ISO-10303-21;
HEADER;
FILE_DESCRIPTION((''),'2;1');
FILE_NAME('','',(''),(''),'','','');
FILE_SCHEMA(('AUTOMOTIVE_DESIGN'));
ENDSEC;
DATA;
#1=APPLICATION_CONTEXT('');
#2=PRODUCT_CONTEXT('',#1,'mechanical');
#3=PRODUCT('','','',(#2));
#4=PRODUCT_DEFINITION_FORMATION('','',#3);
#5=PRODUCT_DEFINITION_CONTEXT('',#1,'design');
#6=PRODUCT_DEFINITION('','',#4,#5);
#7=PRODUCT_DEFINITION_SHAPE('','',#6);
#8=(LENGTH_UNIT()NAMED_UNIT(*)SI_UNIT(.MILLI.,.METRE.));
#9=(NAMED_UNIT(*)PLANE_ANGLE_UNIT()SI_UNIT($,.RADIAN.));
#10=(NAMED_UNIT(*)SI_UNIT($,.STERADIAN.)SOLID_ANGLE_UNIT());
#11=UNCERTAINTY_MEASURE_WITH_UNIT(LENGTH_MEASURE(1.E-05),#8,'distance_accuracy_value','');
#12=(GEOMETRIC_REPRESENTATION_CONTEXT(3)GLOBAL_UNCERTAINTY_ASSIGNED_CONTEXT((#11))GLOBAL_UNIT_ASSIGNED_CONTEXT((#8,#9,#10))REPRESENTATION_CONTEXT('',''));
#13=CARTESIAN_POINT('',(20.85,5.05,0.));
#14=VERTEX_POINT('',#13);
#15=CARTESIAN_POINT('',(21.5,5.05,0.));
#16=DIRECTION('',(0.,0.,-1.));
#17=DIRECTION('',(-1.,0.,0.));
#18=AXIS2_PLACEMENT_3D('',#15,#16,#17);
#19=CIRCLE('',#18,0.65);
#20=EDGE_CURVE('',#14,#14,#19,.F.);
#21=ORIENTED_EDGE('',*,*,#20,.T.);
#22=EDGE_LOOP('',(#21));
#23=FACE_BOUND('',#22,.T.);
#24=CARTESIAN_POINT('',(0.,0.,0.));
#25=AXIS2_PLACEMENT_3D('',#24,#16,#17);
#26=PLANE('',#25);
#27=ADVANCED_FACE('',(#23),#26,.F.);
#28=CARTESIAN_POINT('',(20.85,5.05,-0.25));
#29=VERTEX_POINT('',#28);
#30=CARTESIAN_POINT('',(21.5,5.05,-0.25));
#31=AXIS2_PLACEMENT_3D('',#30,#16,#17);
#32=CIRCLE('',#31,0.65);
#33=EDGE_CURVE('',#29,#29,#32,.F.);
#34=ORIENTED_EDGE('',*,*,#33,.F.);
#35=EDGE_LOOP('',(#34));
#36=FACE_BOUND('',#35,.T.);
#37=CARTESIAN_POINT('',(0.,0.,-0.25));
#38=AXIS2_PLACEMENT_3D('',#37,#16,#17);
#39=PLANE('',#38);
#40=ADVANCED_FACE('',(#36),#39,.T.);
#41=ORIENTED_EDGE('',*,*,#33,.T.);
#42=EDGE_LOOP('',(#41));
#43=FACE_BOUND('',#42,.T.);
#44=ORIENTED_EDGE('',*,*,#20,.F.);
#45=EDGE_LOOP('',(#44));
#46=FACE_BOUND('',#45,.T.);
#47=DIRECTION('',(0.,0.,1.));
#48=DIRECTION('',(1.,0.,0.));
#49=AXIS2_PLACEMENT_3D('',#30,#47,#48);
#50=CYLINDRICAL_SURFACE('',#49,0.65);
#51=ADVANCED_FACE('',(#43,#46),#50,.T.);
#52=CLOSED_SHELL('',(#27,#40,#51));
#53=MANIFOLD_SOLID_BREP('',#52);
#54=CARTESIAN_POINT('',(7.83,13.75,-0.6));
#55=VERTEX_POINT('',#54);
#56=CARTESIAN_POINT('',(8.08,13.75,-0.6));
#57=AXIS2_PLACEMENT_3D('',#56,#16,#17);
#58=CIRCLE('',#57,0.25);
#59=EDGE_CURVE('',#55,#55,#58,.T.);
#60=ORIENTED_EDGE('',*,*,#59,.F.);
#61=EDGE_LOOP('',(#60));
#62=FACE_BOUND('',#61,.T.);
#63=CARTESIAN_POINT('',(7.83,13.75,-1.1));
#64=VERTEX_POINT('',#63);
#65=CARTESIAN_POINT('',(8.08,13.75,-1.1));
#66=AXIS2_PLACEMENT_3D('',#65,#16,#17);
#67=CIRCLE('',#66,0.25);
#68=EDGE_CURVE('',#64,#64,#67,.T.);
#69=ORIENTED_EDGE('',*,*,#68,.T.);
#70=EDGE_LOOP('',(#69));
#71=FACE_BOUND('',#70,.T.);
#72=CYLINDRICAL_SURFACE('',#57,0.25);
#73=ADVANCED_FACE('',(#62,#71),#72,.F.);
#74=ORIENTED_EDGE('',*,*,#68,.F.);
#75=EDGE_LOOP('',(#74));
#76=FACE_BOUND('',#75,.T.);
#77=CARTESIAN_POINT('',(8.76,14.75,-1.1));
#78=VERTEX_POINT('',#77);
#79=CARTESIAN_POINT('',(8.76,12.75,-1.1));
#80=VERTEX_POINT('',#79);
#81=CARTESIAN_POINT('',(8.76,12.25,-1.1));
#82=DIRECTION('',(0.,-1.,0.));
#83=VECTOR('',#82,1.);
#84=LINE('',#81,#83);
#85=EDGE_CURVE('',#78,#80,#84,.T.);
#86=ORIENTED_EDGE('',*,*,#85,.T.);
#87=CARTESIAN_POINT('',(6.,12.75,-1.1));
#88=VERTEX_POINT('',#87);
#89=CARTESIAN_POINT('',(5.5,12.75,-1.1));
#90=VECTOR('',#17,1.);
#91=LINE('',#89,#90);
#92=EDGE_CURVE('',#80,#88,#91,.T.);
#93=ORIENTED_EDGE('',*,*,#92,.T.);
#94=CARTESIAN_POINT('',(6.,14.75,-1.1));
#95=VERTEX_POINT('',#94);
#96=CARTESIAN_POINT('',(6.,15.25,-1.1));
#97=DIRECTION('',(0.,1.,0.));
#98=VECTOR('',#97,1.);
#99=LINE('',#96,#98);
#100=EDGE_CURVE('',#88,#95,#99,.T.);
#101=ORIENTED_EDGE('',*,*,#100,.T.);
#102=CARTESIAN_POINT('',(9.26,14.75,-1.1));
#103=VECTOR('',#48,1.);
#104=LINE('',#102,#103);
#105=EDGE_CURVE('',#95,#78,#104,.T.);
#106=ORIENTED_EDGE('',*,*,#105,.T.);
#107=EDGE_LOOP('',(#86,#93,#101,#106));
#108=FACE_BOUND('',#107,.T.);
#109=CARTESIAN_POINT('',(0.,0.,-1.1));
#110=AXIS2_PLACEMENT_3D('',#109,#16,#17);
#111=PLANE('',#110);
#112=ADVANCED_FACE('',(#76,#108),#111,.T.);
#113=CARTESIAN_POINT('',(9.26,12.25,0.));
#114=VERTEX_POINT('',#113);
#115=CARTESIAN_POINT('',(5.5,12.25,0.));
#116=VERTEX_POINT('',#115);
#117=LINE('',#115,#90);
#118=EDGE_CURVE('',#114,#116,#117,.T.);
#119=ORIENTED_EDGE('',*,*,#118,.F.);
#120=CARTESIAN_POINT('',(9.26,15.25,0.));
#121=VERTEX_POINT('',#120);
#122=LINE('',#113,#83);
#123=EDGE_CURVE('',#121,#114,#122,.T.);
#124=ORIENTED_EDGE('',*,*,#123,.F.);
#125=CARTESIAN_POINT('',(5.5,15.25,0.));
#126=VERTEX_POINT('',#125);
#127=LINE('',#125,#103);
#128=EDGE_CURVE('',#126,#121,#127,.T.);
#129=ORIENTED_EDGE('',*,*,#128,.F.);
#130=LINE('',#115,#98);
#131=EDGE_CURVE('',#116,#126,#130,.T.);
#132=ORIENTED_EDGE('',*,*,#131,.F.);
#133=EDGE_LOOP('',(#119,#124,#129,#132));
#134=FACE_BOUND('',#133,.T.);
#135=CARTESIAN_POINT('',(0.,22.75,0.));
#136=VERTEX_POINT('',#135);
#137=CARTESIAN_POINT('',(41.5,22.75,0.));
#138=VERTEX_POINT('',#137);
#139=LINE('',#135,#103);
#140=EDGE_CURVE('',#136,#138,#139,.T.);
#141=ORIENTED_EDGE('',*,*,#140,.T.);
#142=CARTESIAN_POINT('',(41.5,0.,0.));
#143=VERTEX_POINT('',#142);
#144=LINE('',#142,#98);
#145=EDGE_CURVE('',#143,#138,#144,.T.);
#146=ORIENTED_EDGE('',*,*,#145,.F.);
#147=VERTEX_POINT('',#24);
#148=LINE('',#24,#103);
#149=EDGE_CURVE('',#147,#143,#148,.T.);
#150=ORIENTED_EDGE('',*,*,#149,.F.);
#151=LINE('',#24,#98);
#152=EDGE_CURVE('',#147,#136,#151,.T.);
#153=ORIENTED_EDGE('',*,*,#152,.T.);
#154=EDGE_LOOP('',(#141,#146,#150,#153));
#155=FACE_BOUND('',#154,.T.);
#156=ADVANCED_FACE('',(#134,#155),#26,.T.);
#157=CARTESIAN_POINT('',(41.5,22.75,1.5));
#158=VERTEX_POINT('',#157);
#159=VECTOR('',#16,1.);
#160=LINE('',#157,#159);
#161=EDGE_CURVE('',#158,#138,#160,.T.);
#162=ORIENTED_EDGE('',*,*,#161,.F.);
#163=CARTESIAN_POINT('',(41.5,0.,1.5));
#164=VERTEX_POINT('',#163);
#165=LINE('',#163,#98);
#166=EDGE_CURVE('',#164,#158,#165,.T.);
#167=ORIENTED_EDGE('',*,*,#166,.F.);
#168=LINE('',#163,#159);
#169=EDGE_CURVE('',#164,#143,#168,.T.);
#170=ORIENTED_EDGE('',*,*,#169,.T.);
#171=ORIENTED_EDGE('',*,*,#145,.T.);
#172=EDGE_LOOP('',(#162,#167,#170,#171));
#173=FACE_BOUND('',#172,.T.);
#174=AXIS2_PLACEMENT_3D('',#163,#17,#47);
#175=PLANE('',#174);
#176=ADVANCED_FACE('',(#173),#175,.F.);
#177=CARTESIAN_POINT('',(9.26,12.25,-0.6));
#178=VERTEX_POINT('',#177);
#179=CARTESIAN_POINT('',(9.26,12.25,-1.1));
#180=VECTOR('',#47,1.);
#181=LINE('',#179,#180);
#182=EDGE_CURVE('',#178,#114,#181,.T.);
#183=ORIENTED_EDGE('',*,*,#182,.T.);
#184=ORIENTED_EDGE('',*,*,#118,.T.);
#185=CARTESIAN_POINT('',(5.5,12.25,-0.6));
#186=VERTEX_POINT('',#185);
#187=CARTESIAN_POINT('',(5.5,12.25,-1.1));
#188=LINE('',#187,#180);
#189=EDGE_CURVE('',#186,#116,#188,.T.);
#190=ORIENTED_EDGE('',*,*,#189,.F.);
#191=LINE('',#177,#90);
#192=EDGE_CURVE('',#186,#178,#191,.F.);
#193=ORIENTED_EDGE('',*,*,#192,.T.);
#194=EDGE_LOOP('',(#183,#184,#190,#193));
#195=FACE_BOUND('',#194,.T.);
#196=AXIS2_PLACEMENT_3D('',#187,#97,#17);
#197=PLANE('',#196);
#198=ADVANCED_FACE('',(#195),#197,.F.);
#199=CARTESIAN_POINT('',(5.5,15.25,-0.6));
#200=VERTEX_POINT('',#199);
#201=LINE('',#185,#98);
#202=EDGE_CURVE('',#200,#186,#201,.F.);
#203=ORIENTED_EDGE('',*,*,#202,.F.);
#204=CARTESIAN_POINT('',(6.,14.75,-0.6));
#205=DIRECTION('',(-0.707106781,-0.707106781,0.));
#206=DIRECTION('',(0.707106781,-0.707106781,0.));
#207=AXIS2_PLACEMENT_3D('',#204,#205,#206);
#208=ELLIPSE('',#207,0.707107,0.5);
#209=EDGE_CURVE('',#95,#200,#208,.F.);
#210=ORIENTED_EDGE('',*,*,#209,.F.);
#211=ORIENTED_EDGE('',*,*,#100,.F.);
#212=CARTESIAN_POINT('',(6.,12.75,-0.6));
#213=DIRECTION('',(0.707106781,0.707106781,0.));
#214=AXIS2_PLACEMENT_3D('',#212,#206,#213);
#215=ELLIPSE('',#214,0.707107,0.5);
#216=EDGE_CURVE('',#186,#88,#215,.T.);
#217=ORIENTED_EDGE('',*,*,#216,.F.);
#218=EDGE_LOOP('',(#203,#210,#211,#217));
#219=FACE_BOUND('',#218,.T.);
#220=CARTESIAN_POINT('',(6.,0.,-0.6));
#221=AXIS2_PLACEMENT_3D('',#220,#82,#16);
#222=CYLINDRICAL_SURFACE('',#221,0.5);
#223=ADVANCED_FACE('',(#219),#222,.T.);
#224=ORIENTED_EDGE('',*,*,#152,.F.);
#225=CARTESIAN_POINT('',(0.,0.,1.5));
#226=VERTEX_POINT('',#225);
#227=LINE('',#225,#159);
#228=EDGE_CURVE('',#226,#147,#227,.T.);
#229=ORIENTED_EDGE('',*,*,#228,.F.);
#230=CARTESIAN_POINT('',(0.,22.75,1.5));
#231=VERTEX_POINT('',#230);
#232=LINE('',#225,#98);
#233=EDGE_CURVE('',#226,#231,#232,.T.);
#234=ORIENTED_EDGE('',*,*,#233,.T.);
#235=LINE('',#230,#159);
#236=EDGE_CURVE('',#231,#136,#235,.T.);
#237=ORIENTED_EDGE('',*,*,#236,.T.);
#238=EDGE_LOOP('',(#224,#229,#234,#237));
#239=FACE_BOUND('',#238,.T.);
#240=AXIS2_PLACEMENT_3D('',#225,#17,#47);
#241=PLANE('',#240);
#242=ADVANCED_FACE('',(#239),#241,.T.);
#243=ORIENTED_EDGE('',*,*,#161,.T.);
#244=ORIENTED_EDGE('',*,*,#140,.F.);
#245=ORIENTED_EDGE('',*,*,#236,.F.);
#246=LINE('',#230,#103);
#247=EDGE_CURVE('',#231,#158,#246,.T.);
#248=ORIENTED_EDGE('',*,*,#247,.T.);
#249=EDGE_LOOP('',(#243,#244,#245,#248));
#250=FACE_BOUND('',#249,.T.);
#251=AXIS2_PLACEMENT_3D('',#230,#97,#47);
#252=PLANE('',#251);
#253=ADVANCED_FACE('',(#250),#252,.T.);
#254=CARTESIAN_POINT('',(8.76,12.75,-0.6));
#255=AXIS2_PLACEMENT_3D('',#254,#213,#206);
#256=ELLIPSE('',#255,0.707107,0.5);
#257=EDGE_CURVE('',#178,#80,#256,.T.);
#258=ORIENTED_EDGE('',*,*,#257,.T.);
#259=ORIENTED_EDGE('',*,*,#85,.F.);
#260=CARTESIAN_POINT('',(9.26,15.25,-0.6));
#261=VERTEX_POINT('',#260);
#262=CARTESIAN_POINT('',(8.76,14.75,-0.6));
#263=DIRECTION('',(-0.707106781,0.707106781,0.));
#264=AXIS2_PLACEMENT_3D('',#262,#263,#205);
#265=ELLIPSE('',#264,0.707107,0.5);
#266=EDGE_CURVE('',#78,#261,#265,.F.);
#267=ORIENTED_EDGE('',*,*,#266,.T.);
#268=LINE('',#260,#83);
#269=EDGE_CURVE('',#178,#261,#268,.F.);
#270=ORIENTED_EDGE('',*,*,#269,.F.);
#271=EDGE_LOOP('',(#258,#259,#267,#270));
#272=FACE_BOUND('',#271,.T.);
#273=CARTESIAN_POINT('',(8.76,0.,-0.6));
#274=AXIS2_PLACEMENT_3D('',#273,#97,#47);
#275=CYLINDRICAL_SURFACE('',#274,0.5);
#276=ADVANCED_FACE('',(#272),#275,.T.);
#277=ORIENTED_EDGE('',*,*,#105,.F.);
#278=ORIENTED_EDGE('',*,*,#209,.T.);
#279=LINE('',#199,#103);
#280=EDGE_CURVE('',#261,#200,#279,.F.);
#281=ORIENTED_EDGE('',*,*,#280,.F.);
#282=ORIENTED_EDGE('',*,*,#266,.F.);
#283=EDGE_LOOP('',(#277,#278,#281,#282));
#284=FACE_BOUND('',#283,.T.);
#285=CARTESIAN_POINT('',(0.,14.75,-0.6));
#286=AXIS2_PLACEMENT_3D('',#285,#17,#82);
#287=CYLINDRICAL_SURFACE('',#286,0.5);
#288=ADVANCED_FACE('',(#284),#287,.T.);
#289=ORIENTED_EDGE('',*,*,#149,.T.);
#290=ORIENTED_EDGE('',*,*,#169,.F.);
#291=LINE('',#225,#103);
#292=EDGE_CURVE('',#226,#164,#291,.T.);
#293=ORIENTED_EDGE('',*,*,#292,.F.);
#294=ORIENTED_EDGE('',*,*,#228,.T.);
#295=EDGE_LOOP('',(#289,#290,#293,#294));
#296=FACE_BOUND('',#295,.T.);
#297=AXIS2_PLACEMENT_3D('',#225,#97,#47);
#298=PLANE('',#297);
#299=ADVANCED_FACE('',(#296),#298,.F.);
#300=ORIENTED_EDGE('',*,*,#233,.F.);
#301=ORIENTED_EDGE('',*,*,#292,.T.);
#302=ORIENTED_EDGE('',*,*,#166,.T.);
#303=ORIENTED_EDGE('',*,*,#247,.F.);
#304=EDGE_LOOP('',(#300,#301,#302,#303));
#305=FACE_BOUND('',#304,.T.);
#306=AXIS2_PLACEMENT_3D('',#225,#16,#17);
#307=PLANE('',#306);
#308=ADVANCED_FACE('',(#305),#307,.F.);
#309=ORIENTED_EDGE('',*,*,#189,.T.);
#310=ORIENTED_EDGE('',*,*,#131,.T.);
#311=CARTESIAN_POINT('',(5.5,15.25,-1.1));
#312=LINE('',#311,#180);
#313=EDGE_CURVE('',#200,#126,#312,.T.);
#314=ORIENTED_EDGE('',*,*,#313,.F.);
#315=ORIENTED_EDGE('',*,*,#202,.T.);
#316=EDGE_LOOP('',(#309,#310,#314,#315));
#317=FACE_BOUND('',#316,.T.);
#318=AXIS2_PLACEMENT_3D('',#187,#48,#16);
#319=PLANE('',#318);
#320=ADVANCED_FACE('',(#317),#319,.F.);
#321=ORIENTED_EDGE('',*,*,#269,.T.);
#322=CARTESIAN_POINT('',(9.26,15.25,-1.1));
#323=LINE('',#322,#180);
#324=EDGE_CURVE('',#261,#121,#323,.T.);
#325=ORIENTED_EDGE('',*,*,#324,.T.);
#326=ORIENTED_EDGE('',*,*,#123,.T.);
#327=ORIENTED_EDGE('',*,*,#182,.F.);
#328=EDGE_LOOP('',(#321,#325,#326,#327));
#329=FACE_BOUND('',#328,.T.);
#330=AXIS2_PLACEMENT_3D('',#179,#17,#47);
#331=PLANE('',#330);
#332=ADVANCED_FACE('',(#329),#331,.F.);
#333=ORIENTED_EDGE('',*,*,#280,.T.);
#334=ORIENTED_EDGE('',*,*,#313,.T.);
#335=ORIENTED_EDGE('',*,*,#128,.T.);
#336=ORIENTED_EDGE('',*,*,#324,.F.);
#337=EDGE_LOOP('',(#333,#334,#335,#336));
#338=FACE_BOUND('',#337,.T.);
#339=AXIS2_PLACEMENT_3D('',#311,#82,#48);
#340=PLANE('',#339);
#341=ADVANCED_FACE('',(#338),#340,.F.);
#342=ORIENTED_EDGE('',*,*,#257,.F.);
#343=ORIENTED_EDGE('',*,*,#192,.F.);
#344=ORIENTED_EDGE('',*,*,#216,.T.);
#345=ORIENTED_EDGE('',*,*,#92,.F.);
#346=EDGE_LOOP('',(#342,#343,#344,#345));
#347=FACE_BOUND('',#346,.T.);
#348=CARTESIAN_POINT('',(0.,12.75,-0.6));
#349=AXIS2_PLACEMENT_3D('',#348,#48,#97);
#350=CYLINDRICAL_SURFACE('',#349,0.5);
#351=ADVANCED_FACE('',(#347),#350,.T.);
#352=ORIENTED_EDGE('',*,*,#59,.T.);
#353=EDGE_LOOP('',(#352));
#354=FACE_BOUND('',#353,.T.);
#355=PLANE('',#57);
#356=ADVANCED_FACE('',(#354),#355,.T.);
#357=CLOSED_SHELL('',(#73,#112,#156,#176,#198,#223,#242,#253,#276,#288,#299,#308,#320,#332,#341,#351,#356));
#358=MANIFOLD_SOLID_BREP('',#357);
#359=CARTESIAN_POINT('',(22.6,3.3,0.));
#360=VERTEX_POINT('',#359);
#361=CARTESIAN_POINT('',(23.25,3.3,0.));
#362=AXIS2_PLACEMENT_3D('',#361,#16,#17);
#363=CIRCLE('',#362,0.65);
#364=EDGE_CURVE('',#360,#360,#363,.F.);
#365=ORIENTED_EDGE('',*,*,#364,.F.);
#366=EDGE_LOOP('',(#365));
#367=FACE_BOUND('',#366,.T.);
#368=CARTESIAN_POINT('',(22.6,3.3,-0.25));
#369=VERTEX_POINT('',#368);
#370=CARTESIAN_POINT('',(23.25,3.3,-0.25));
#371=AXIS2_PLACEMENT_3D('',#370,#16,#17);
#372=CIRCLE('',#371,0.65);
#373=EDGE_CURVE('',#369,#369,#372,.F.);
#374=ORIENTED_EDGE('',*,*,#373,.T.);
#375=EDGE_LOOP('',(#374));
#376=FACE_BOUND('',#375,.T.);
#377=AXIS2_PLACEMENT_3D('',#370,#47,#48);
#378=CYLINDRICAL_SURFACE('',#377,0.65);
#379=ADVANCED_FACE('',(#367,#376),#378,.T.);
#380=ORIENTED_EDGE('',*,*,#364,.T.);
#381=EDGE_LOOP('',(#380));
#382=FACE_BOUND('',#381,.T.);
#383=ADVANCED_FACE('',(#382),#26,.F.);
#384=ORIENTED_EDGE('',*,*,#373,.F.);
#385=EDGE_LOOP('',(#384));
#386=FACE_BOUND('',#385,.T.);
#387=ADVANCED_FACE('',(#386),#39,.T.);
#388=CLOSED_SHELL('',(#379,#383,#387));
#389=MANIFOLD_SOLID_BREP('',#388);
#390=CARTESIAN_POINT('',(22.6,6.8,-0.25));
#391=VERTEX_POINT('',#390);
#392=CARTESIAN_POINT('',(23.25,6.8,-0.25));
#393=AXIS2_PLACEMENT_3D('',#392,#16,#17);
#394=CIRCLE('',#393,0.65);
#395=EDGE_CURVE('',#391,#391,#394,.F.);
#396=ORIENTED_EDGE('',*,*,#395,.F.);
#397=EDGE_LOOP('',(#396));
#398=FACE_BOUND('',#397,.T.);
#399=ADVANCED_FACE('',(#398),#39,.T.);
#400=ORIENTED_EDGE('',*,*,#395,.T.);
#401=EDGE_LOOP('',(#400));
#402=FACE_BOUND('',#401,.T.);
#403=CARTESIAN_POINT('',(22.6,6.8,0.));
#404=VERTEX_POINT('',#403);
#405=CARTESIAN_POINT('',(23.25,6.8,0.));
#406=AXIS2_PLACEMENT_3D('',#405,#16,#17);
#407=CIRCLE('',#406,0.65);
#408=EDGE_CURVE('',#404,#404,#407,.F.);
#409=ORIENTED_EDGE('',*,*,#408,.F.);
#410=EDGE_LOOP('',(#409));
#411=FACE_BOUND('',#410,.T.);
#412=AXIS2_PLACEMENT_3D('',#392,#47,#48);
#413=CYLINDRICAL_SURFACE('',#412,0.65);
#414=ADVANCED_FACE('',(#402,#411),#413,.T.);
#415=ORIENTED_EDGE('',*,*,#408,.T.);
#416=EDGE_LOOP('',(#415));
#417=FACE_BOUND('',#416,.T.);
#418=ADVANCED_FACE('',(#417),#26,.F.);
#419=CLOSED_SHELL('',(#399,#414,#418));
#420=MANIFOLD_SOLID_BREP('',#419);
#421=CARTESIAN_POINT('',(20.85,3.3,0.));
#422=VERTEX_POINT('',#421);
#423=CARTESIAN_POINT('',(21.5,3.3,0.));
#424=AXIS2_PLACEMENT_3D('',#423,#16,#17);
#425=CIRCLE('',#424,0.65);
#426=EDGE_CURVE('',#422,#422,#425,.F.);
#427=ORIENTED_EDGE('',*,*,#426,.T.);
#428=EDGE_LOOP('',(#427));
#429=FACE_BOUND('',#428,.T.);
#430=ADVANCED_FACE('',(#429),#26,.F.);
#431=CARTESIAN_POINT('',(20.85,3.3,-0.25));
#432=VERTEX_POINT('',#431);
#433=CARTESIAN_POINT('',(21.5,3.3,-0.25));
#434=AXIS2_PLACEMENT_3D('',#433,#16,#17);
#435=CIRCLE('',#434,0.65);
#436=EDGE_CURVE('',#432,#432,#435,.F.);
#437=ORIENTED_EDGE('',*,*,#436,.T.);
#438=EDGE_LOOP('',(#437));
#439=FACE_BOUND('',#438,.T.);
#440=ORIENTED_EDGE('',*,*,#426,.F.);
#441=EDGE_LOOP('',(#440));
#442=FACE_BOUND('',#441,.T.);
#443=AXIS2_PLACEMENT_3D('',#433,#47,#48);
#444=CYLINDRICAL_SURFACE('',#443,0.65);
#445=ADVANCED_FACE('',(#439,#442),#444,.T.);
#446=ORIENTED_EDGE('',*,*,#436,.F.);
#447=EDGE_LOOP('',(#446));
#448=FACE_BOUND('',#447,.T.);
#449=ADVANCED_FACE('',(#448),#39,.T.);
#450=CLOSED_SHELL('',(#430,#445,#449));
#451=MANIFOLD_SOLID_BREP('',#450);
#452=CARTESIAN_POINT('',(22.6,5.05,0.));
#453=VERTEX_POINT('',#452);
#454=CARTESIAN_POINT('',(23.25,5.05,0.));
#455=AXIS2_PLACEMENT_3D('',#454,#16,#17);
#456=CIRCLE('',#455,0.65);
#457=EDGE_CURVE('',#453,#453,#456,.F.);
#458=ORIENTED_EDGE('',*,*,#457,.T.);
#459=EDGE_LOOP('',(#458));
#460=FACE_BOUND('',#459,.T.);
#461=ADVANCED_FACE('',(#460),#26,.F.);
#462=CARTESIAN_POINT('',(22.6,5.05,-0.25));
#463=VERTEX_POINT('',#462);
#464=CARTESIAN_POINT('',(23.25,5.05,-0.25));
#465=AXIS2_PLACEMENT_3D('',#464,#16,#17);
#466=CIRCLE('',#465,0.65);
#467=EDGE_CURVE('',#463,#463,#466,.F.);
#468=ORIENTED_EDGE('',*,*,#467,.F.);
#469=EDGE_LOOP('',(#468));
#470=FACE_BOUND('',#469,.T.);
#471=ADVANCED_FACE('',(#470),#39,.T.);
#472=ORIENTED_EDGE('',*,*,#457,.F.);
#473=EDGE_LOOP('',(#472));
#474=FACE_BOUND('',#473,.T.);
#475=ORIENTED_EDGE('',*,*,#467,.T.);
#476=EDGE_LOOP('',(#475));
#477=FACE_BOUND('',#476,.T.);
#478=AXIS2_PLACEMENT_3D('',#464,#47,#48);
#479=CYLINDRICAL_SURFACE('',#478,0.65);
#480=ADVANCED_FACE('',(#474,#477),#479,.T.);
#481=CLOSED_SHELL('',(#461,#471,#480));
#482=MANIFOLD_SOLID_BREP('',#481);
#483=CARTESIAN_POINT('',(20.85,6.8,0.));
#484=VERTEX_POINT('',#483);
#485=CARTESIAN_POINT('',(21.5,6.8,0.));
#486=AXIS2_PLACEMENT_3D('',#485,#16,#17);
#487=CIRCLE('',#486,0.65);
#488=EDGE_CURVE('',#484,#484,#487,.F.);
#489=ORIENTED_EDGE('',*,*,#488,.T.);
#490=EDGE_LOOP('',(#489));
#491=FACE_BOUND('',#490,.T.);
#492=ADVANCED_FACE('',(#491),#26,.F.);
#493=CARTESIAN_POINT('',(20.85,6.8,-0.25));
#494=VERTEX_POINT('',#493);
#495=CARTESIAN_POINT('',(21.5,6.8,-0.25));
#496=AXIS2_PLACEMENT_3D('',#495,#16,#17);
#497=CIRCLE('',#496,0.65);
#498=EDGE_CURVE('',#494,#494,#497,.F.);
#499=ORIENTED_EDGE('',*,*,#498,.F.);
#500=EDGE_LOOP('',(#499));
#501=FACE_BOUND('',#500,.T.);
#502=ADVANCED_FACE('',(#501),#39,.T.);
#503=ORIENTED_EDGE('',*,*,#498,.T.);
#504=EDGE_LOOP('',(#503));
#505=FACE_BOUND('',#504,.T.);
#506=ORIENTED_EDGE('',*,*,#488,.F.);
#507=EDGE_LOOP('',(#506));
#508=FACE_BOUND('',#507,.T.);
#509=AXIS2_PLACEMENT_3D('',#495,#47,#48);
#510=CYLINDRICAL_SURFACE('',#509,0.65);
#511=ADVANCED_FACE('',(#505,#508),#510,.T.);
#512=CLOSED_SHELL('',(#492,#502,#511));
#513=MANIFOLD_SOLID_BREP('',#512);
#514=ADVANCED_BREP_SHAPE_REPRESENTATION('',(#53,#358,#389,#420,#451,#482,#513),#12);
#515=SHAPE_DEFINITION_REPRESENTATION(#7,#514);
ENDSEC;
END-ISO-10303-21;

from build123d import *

# Parameters (mm, degrees)
SKETCH1_W             = 41.5
SKETCH1_H             = 22.75
BOSS_EXTRUDE1_DEPTH   = 1.5
SKETCH2_W             = 3.76
SKETCH2_H             = 3
BOSS_EXTRUDE3_DEPTH   = 1.1
SKETCH3_R             = 0.25
CUT_EXTRUDE1_DEPTH    = 0.5
FILLET3_R             = 0.5
SKETCH4_R             = 0.65
BOSS_EXTRUDE6_DEPTH   = 0.25
BOSS_EXTRUDE6_2_DEPTH = 0.25
BOSS_EXTRUDE6_3_DEPTH = 0.25
BOSS_EXTRUDE6_4_DEPTH = 0.25
BOSS_EXTRUDE6_5_DEPTH = 0.25
BOSS_EXTRUDE6_6_DEPTH = 0.25


with BuildPart() as part:
    # Sketch1 → Boss-Extrude1 (new body)
    with BuildSketch(Plane.XY):
        with Locations((20.75, 11.375)):
            Rectangle(SKETCH1_W, SKETCH1_H)
    extrude(amount=BOSS_EXTRUDE1_DEPTH)

    # Sketch2 → Boss-Extrude3 (add)
    with BuildSketch(Plane(origin=(0, 0, 0), x_dir=(-1, 0, 0), z_dir=(0, 0, -1))):
        with Locations((-7.38, 13.75)):
            Rectangle(SKETCH2_W, SKETCH2_H)
    extrude(amount=BOSS_EXTRUDE3_DEPTH)

    # Sketch3 → Cut-Extrude1 (cut)
    with BuildSketch(Plane(origin=(0, 0, -1.1), x_dir=(-1, 0, 0), z_dir=(0, 0, -1))):
        with Locations((-8.08, 13.75)):
            Circle(SKETCH3_R)
    extrude(amount=-CUT_EXTRUDE1_DEPTH, mode=Mode.SUBTRACT)

    # Fillet3
    fillet3_edges = [part.edges().sort_by_distance(p)[0] for p in [
        (5.5, 13.75, -1.1),
        (7.38, 15.25, -1.1),
        (9.26, 13.75, -1.1),
        (7.38, 12.25, -1.1),
    ]]
    fillet(fillet3_edges, radius=FILLET3_R)


with BuildPart() as body_2:
    # Sketch4 → Boss-Extrude6 (new body)
    with BuildSketch(Plane(origin=(0, 0, 0), x_dir=(-1, 0, 0), z_dir=(0, 0, -1))):
        with Locations((-23.25, 3.3)):
            Circle(SKETCH4_R)
    extrude(amount=BOSS_EXTRUDE6_DEPTH)


with BuildPart() as body_3:
    # Sketch4 → Boss-Extrude6 2 (new body)
    with BuildSketch(Plane(origin=(0, 0, 0), x_dir=(-1, 0, 0), z_dir=(0, 0, -1))):
        with Locations((-23.25, 5.05)):
            Circle(SKETCH4_R)
    extrude(amount=BOSS_EXTRUDE6_2_DEPTH)


with BuildPart() as body_4:
    # Sketch4 → Boss-Extrude6 3 (new body)
    with BuildSketch(Plane(origin=(0, 0, 0), x_dir=(-1, 0, 0), z_dir=(0, 0, -1))):
        with Locations((-23.25, 6.8)):
            Circle(SKETCH4_R)
    extrude(amount=BOSS_EXTRUDE6_3_DEPTH)


with BuildPart() as body_5:
    # Sketch4 → Boss-Extrude6 4 (new body)
    with BuildSketch(Plane(origin=(0, 0, 0), x_dir=(-1, 0, 0), z_dir=(0, 0, -1))):
        with Locations((-21.5, 3.3)):
            Circle(SKETCH4_R)
    extrude(amount=BOSS_EXTRUDE6_4_DEPTH)


with BuildPart() as body_6:
    # Sketch4 → Boss-Extrude6 5 (new body)
    with BuildSketch(Plane(origin=(0, 0, 0), x_dir=(-1, 0, 0), z_dir=(0, 0, -1))):
        with Locations((-21.5, 5.05)):
            Circle(SKETCH4_R)
    extrude(amount=BOSS_EXTRUDE6_5_DEPTH)


with BuildPart() as body_7:
    # Sketch4 → Boss-Extrude6 6 (new body)
    with BuildSketch(Plane(origin=(0, 0, 0), x_dir=(-1, 0, 0), z_dir=(0, 0, -1))):
        with Locations((-21.5, 6.8)):
            Circle(SKETCH4_R)
    extrude(amount=BOSS_EXTRUDE6_6_DEPTH)


solid = Compound([part.part, body_2.part, body_3.part, body_4.part, body_5.part, body_6.part, body_7.part])
